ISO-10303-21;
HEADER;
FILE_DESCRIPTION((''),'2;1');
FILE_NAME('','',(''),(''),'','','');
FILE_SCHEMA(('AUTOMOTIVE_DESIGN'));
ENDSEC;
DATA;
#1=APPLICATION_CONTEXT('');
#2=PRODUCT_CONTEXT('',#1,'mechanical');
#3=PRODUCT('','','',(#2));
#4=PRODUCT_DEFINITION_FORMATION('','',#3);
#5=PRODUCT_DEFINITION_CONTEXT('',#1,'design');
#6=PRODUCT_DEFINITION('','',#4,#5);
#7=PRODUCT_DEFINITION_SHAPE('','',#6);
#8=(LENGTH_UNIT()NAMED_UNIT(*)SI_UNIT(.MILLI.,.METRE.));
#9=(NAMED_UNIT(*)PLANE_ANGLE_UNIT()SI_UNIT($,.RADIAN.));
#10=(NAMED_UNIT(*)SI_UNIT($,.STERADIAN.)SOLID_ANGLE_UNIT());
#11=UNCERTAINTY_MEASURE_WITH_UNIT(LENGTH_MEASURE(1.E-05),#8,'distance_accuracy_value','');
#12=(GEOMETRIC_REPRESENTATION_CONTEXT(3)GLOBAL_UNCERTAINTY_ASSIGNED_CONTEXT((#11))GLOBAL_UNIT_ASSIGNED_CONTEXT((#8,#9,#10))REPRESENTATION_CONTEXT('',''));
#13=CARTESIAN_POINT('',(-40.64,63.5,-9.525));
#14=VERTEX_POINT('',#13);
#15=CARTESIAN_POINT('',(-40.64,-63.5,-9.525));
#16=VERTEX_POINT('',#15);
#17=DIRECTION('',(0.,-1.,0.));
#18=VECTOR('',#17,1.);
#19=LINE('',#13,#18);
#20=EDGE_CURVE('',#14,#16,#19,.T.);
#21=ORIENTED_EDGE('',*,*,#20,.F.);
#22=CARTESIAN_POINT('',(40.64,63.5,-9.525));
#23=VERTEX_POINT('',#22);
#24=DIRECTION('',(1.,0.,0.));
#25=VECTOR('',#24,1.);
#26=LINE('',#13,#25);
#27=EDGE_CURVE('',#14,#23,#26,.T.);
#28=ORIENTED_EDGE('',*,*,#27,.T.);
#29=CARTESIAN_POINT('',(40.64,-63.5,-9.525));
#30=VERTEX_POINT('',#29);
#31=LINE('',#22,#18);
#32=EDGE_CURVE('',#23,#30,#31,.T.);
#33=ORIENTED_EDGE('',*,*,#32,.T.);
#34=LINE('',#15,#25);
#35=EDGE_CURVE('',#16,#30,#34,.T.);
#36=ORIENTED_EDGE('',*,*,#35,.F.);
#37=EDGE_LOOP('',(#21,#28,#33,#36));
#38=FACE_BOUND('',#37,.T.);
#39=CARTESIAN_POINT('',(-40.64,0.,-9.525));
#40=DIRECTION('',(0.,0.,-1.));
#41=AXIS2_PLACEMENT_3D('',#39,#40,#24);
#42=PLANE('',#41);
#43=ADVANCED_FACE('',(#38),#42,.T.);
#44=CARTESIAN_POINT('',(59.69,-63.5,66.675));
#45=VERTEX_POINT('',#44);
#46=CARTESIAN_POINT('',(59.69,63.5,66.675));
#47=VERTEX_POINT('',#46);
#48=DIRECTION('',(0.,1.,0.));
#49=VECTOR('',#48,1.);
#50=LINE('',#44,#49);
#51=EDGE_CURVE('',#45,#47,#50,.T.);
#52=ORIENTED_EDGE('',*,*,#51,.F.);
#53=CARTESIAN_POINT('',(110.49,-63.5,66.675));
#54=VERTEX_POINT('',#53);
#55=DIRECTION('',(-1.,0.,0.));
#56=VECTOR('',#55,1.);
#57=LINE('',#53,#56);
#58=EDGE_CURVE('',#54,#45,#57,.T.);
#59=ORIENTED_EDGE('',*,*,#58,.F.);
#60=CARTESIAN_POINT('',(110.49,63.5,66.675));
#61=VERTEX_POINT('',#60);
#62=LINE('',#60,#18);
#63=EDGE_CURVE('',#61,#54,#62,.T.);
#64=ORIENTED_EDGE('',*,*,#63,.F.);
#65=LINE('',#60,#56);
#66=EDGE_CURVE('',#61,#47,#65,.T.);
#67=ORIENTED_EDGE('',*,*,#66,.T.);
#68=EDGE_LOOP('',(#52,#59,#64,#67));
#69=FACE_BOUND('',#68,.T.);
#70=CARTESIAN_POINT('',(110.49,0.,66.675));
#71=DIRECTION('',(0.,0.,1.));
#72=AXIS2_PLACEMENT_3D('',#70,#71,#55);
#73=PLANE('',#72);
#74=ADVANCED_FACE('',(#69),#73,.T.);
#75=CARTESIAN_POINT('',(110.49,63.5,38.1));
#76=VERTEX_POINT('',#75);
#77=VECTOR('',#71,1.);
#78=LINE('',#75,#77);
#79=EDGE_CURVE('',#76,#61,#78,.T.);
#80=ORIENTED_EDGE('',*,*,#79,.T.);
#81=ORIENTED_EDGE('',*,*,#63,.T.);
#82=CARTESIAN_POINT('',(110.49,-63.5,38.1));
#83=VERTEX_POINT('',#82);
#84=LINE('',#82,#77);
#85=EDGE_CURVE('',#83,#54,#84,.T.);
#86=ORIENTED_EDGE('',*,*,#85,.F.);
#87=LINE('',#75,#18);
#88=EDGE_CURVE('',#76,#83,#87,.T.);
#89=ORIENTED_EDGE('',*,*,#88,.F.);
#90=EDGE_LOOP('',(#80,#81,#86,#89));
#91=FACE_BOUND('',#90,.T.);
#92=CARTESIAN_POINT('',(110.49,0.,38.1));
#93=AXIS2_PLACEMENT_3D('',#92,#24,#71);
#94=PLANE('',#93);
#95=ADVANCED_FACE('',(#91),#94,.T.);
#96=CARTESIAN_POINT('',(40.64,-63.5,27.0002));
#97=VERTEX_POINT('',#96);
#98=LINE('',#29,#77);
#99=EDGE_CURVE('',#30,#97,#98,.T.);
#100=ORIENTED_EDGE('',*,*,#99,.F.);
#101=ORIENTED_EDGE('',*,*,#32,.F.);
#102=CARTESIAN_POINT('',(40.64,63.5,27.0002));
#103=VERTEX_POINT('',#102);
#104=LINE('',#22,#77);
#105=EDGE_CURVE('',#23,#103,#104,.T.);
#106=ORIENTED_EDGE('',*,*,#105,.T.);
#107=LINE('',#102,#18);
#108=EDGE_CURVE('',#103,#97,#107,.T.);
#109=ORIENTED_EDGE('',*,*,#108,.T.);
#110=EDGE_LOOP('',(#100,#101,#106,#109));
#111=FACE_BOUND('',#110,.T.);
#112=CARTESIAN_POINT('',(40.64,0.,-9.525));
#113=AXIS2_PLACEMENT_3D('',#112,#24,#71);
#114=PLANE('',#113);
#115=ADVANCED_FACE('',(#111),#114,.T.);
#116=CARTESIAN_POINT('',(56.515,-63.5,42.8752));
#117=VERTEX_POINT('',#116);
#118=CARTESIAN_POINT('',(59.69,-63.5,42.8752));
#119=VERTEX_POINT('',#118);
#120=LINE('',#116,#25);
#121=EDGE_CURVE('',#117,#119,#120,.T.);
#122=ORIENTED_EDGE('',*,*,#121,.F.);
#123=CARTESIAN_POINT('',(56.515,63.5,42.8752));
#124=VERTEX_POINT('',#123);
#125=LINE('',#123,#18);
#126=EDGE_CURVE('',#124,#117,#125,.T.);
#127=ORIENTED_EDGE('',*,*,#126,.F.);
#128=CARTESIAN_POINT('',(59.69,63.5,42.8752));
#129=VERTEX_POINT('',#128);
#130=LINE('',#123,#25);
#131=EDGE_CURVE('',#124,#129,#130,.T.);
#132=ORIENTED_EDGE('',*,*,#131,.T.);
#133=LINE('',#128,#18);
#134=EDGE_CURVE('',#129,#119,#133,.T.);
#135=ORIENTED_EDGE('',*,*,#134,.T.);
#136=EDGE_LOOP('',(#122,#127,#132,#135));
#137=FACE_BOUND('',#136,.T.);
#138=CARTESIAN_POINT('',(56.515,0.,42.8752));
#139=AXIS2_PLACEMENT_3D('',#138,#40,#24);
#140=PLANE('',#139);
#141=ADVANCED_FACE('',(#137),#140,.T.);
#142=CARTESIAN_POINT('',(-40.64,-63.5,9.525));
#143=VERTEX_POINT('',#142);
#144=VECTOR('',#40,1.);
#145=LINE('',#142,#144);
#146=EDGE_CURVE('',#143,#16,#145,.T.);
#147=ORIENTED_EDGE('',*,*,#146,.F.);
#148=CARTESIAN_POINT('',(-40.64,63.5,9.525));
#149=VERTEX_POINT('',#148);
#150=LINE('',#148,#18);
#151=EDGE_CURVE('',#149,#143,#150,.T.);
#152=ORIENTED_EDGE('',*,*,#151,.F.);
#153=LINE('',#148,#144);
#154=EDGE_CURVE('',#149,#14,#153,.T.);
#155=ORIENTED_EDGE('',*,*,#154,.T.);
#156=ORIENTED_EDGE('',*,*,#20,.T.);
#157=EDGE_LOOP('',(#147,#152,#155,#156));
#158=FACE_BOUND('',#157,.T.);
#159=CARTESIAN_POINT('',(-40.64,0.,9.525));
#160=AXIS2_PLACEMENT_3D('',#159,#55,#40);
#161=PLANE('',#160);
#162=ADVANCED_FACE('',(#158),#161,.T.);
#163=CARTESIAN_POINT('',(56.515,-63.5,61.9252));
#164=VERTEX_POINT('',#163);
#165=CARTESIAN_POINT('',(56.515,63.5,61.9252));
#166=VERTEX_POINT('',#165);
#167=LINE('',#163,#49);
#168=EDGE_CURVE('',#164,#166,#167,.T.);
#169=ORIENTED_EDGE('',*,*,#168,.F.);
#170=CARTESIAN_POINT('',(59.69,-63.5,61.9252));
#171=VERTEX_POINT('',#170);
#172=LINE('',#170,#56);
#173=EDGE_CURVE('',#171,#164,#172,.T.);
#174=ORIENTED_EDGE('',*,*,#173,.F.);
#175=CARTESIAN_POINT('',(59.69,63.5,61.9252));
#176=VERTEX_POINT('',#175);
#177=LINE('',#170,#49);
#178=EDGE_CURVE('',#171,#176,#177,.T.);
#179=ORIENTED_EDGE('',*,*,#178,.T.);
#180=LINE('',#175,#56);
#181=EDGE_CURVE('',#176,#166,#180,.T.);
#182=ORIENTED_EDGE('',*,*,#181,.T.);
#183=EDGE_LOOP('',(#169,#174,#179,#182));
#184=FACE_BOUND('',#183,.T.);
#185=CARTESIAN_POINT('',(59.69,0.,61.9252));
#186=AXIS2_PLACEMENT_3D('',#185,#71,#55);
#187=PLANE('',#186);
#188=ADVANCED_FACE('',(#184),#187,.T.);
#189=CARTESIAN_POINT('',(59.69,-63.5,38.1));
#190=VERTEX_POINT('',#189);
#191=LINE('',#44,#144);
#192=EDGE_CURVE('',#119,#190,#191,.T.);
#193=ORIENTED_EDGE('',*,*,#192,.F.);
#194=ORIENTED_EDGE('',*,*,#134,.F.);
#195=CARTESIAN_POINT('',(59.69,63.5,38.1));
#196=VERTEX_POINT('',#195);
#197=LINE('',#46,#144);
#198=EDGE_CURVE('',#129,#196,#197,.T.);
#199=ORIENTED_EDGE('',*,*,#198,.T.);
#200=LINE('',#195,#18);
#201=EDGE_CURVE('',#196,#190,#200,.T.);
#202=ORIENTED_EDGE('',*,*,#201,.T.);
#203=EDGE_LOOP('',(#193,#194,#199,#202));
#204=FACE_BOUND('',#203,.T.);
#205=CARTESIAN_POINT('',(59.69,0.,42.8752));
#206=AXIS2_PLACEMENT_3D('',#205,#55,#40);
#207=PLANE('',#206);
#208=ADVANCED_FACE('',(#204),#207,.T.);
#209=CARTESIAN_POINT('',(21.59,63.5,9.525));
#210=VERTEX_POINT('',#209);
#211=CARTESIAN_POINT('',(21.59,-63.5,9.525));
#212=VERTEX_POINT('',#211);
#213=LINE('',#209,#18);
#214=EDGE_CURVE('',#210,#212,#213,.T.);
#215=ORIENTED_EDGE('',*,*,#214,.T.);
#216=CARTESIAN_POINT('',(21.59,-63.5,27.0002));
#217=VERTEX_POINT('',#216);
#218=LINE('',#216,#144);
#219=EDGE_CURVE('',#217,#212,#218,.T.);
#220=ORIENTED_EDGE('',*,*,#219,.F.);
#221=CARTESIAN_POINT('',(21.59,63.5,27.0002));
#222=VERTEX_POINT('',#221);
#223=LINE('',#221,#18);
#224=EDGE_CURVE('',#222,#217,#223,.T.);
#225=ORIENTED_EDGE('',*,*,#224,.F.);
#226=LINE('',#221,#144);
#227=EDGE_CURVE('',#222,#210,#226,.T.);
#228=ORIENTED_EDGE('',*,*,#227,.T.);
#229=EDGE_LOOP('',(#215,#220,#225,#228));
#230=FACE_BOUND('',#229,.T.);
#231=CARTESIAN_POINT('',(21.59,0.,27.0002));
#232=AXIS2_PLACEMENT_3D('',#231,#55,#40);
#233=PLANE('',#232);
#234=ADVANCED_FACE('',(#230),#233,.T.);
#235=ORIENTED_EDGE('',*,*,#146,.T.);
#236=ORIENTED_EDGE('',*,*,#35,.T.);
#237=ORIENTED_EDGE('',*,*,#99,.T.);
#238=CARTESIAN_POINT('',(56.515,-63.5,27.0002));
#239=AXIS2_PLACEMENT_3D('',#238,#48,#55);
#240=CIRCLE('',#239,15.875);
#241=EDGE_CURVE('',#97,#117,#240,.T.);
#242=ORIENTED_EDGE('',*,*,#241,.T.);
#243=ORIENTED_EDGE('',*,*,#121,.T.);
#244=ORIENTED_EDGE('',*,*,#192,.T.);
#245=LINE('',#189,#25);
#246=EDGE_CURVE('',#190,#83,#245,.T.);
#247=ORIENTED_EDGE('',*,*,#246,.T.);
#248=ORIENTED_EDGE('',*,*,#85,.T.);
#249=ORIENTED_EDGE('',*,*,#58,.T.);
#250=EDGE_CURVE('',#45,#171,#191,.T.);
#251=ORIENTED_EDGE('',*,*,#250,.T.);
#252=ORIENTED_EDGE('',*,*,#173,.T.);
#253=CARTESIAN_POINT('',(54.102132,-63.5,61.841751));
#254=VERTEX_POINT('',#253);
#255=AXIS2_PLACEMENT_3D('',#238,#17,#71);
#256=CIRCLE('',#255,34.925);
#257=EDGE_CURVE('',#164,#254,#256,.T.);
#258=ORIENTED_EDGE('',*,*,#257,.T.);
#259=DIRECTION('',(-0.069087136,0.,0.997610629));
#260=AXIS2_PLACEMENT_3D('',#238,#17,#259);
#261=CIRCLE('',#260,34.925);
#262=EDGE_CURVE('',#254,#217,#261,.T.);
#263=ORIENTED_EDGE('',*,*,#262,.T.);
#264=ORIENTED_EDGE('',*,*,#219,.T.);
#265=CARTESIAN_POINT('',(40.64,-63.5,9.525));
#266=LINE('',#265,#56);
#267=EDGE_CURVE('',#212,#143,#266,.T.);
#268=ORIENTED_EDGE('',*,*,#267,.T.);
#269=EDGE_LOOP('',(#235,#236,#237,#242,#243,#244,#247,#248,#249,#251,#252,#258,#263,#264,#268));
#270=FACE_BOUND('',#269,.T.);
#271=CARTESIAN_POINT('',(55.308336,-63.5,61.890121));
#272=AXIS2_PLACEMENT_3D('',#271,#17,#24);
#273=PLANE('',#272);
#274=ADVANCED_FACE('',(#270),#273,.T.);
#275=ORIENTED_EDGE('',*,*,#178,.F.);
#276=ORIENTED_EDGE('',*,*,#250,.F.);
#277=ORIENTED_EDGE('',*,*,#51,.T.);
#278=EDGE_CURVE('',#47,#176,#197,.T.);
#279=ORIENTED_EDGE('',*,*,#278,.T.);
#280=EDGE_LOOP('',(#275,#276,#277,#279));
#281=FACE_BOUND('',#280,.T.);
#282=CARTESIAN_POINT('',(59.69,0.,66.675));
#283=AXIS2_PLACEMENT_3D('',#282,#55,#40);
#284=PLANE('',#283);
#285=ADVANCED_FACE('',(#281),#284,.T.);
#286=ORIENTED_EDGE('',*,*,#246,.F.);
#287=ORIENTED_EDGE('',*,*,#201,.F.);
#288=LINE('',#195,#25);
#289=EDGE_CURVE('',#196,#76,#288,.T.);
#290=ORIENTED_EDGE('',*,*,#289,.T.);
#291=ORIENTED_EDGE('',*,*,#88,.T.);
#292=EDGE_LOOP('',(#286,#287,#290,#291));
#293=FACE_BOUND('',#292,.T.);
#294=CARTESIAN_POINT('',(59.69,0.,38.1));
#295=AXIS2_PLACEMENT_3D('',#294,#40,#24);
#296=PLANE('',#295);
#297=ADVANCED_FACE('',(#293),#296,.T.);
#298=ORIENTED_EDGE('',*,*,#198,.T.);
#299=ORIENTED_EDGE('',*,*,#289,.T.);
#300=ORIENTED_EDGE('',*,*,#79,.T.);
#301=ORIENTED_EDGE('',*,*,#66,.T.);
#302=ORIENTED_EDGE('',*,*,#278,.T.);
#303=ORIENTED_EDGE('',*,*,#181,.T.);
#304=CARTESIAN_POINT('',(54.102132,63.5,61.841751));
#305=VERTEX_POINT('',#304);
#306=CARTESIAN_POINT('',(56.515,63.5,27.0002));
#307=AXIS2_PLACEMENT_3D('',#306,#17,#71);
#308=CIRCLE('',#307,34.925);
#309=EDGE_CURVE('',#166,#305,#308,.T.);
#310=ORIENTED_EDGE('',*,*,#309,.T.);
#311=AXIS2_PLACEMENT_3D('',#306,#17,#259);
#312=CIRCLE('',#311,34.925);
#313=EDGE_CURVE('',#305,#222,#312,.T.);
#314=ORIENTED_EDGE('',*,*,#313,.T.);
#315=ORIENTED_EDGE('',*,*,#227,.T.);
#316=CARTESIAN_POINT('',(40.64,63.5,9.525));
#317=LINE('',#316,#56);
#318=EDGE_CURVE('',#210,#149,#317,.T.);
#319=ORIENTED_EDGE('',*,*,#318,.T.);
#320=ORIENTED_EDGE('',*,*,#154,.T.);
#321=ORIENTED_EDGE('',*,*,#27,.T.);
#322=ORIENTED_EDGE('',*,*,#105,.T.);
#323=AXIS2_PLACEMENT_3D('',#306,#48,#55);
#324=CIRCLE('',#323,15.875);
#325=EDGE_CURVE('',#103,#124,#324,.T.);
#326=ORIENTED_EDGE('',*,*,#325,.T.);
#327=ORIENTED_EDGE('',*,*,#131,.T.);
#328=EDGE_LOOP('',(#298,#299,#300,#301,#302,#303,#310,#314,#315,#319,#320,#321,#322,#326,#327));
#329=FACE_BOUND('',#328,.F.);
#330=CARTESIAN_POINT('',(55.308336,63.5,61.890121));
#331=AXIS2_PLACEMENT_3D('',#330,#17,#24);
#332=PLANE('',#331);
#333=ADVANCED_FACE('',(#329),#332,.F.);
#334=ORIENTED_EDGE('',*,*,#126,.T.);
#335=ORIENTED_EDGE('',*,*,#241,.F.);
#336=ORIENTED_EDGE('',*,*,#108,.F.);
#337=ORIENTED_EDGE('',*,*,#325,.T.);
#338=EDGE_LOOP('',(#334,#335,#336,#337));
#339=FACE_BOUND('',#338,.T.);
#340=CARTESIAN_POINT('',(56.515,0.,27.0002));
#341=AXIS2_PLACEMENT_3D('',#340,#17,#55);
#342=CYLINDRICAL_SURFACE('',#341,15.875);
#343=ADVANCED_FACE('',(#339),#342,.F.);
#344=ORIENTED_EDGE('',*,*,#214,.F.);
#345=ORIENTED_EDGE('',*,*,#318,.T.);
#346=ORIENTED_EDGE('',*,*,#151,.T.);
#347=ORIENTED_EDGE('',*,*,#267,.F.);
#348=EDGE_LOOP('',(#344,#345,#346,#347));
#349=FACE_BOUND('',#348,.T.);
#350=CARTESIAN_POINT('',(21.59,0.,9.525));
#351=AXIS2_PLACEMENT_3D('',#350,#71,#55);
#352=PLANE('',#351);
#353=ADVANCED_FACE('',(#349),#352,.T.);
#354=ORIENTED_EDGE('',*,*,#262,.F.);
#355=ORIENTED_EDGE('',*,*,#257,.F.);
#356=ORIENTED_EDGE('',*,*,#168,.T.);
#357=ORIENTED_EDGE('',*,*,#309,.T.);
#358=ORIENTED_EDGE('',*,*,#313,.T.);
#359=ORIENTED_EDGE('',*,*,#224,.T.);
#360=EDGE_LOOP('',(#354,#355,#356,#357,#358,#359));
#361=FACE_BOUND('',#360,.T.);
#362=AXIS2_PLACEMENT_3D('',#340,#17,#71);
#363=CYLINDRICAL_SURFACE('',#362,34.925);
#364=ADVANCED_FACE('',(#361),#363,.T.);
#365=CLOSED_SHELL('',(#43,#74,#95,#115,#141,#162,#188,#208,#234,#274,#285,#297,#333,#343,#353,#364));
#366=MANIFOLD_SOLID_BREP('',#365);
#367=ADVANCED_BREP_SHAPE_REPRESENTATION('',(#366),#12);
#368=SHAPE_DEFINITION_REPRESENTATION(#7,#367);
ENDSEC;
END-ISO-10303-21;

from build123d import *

# Parameters (mm, degrees)
F0_W     = 24.6055256037
F0_H     = 4.7752
F0_H_2   = 4.7498
F0_H_3   = 19.05
F1_DEPTH = 63.5


with BuildPart() as f1:
    # F0 (on Front) → F1 (new body, symmetric)
    with BuildSketch(Plane.XZ):
        with BuildLine():
            ThreePointArc((56.515, 61.9252), (55.3078445888, 61.9043315723), (54.1021317795, 61.8417512277))
            add(Edge.make_bspline(
                [(54.1021317795, 61.8417512277), (54.9069035944, 61.8717262764), (55.7112681225, 61.8994528512), (56.515, 61.9252)],
                knots=[108.1784271966, 108.1784271966, 108.1784271966, 108.1784271966, 110.3851212122, 110.3851212122, 110.3851212122, 110.3851212122], degree=3))
        make_face()
        Polygon((-40.64, -9.525), (40.64, -9.525), (40.64, 9.525), (21.59, 9.525), (-40.64, 9.525), align=None)
        with Locations((71.9927628018, 40.4876)):
            Rectangle(F0_W, F0_H)
        with Locations((71.9927628018, 64.3001)):
            Rectangle(F0_W, F0_H_2)
        Polygon((84.2955256037, 61.9252), (84.2955256037, 42.8752), (84.2955256037, 38.1), (110.49, 38.1), (110.49, 66.675), (84.2955256037, 66.675), align=None)
        with Locations((71.9927628018, 52.4002)):
            Rectangle(F0_W, F0_H_3)
        with BuildLine():
            Line((21.59, 9.525), (40.64, 9.525))
            Line((40.64, 9.525), (40.64, 27.0002))
            ThreePointArc((40.64, 27.0002), (45.2896798487, 38.2255201513), (56.515, 42.8752))
            Line((56.515, 42.8752), (59.69, 42.8752))
            Line((59.69, 42.8752), (59.69, 61.9252))
            Line((59.69, 61.9252), (56.515, 61.9252))
            add(Edge.make_bspline(
                [(54.1021317795, 61.8417512277), (54.9069035944, 61.8717262764), (55.7112681225, 61.8994528512), (56.515, 61.9252)],
                knots=[108.1784271966, 108.1784271966, 108.1784271966, 108.1784271966, 110.3851212122, 110.3851212122, 110.3851212122, 110.3851212122], degree=3))
            ThreePointArc((54.1021317795, 61.8417512277), (30.9804640966, 50.827560349), (21.59, 27.0002))
            Line((21.59, 27.0002), (21.59, 9.525))
        make_face()
    extrude(amount=F1_DEPTH, both=True)


solid = f1.part
